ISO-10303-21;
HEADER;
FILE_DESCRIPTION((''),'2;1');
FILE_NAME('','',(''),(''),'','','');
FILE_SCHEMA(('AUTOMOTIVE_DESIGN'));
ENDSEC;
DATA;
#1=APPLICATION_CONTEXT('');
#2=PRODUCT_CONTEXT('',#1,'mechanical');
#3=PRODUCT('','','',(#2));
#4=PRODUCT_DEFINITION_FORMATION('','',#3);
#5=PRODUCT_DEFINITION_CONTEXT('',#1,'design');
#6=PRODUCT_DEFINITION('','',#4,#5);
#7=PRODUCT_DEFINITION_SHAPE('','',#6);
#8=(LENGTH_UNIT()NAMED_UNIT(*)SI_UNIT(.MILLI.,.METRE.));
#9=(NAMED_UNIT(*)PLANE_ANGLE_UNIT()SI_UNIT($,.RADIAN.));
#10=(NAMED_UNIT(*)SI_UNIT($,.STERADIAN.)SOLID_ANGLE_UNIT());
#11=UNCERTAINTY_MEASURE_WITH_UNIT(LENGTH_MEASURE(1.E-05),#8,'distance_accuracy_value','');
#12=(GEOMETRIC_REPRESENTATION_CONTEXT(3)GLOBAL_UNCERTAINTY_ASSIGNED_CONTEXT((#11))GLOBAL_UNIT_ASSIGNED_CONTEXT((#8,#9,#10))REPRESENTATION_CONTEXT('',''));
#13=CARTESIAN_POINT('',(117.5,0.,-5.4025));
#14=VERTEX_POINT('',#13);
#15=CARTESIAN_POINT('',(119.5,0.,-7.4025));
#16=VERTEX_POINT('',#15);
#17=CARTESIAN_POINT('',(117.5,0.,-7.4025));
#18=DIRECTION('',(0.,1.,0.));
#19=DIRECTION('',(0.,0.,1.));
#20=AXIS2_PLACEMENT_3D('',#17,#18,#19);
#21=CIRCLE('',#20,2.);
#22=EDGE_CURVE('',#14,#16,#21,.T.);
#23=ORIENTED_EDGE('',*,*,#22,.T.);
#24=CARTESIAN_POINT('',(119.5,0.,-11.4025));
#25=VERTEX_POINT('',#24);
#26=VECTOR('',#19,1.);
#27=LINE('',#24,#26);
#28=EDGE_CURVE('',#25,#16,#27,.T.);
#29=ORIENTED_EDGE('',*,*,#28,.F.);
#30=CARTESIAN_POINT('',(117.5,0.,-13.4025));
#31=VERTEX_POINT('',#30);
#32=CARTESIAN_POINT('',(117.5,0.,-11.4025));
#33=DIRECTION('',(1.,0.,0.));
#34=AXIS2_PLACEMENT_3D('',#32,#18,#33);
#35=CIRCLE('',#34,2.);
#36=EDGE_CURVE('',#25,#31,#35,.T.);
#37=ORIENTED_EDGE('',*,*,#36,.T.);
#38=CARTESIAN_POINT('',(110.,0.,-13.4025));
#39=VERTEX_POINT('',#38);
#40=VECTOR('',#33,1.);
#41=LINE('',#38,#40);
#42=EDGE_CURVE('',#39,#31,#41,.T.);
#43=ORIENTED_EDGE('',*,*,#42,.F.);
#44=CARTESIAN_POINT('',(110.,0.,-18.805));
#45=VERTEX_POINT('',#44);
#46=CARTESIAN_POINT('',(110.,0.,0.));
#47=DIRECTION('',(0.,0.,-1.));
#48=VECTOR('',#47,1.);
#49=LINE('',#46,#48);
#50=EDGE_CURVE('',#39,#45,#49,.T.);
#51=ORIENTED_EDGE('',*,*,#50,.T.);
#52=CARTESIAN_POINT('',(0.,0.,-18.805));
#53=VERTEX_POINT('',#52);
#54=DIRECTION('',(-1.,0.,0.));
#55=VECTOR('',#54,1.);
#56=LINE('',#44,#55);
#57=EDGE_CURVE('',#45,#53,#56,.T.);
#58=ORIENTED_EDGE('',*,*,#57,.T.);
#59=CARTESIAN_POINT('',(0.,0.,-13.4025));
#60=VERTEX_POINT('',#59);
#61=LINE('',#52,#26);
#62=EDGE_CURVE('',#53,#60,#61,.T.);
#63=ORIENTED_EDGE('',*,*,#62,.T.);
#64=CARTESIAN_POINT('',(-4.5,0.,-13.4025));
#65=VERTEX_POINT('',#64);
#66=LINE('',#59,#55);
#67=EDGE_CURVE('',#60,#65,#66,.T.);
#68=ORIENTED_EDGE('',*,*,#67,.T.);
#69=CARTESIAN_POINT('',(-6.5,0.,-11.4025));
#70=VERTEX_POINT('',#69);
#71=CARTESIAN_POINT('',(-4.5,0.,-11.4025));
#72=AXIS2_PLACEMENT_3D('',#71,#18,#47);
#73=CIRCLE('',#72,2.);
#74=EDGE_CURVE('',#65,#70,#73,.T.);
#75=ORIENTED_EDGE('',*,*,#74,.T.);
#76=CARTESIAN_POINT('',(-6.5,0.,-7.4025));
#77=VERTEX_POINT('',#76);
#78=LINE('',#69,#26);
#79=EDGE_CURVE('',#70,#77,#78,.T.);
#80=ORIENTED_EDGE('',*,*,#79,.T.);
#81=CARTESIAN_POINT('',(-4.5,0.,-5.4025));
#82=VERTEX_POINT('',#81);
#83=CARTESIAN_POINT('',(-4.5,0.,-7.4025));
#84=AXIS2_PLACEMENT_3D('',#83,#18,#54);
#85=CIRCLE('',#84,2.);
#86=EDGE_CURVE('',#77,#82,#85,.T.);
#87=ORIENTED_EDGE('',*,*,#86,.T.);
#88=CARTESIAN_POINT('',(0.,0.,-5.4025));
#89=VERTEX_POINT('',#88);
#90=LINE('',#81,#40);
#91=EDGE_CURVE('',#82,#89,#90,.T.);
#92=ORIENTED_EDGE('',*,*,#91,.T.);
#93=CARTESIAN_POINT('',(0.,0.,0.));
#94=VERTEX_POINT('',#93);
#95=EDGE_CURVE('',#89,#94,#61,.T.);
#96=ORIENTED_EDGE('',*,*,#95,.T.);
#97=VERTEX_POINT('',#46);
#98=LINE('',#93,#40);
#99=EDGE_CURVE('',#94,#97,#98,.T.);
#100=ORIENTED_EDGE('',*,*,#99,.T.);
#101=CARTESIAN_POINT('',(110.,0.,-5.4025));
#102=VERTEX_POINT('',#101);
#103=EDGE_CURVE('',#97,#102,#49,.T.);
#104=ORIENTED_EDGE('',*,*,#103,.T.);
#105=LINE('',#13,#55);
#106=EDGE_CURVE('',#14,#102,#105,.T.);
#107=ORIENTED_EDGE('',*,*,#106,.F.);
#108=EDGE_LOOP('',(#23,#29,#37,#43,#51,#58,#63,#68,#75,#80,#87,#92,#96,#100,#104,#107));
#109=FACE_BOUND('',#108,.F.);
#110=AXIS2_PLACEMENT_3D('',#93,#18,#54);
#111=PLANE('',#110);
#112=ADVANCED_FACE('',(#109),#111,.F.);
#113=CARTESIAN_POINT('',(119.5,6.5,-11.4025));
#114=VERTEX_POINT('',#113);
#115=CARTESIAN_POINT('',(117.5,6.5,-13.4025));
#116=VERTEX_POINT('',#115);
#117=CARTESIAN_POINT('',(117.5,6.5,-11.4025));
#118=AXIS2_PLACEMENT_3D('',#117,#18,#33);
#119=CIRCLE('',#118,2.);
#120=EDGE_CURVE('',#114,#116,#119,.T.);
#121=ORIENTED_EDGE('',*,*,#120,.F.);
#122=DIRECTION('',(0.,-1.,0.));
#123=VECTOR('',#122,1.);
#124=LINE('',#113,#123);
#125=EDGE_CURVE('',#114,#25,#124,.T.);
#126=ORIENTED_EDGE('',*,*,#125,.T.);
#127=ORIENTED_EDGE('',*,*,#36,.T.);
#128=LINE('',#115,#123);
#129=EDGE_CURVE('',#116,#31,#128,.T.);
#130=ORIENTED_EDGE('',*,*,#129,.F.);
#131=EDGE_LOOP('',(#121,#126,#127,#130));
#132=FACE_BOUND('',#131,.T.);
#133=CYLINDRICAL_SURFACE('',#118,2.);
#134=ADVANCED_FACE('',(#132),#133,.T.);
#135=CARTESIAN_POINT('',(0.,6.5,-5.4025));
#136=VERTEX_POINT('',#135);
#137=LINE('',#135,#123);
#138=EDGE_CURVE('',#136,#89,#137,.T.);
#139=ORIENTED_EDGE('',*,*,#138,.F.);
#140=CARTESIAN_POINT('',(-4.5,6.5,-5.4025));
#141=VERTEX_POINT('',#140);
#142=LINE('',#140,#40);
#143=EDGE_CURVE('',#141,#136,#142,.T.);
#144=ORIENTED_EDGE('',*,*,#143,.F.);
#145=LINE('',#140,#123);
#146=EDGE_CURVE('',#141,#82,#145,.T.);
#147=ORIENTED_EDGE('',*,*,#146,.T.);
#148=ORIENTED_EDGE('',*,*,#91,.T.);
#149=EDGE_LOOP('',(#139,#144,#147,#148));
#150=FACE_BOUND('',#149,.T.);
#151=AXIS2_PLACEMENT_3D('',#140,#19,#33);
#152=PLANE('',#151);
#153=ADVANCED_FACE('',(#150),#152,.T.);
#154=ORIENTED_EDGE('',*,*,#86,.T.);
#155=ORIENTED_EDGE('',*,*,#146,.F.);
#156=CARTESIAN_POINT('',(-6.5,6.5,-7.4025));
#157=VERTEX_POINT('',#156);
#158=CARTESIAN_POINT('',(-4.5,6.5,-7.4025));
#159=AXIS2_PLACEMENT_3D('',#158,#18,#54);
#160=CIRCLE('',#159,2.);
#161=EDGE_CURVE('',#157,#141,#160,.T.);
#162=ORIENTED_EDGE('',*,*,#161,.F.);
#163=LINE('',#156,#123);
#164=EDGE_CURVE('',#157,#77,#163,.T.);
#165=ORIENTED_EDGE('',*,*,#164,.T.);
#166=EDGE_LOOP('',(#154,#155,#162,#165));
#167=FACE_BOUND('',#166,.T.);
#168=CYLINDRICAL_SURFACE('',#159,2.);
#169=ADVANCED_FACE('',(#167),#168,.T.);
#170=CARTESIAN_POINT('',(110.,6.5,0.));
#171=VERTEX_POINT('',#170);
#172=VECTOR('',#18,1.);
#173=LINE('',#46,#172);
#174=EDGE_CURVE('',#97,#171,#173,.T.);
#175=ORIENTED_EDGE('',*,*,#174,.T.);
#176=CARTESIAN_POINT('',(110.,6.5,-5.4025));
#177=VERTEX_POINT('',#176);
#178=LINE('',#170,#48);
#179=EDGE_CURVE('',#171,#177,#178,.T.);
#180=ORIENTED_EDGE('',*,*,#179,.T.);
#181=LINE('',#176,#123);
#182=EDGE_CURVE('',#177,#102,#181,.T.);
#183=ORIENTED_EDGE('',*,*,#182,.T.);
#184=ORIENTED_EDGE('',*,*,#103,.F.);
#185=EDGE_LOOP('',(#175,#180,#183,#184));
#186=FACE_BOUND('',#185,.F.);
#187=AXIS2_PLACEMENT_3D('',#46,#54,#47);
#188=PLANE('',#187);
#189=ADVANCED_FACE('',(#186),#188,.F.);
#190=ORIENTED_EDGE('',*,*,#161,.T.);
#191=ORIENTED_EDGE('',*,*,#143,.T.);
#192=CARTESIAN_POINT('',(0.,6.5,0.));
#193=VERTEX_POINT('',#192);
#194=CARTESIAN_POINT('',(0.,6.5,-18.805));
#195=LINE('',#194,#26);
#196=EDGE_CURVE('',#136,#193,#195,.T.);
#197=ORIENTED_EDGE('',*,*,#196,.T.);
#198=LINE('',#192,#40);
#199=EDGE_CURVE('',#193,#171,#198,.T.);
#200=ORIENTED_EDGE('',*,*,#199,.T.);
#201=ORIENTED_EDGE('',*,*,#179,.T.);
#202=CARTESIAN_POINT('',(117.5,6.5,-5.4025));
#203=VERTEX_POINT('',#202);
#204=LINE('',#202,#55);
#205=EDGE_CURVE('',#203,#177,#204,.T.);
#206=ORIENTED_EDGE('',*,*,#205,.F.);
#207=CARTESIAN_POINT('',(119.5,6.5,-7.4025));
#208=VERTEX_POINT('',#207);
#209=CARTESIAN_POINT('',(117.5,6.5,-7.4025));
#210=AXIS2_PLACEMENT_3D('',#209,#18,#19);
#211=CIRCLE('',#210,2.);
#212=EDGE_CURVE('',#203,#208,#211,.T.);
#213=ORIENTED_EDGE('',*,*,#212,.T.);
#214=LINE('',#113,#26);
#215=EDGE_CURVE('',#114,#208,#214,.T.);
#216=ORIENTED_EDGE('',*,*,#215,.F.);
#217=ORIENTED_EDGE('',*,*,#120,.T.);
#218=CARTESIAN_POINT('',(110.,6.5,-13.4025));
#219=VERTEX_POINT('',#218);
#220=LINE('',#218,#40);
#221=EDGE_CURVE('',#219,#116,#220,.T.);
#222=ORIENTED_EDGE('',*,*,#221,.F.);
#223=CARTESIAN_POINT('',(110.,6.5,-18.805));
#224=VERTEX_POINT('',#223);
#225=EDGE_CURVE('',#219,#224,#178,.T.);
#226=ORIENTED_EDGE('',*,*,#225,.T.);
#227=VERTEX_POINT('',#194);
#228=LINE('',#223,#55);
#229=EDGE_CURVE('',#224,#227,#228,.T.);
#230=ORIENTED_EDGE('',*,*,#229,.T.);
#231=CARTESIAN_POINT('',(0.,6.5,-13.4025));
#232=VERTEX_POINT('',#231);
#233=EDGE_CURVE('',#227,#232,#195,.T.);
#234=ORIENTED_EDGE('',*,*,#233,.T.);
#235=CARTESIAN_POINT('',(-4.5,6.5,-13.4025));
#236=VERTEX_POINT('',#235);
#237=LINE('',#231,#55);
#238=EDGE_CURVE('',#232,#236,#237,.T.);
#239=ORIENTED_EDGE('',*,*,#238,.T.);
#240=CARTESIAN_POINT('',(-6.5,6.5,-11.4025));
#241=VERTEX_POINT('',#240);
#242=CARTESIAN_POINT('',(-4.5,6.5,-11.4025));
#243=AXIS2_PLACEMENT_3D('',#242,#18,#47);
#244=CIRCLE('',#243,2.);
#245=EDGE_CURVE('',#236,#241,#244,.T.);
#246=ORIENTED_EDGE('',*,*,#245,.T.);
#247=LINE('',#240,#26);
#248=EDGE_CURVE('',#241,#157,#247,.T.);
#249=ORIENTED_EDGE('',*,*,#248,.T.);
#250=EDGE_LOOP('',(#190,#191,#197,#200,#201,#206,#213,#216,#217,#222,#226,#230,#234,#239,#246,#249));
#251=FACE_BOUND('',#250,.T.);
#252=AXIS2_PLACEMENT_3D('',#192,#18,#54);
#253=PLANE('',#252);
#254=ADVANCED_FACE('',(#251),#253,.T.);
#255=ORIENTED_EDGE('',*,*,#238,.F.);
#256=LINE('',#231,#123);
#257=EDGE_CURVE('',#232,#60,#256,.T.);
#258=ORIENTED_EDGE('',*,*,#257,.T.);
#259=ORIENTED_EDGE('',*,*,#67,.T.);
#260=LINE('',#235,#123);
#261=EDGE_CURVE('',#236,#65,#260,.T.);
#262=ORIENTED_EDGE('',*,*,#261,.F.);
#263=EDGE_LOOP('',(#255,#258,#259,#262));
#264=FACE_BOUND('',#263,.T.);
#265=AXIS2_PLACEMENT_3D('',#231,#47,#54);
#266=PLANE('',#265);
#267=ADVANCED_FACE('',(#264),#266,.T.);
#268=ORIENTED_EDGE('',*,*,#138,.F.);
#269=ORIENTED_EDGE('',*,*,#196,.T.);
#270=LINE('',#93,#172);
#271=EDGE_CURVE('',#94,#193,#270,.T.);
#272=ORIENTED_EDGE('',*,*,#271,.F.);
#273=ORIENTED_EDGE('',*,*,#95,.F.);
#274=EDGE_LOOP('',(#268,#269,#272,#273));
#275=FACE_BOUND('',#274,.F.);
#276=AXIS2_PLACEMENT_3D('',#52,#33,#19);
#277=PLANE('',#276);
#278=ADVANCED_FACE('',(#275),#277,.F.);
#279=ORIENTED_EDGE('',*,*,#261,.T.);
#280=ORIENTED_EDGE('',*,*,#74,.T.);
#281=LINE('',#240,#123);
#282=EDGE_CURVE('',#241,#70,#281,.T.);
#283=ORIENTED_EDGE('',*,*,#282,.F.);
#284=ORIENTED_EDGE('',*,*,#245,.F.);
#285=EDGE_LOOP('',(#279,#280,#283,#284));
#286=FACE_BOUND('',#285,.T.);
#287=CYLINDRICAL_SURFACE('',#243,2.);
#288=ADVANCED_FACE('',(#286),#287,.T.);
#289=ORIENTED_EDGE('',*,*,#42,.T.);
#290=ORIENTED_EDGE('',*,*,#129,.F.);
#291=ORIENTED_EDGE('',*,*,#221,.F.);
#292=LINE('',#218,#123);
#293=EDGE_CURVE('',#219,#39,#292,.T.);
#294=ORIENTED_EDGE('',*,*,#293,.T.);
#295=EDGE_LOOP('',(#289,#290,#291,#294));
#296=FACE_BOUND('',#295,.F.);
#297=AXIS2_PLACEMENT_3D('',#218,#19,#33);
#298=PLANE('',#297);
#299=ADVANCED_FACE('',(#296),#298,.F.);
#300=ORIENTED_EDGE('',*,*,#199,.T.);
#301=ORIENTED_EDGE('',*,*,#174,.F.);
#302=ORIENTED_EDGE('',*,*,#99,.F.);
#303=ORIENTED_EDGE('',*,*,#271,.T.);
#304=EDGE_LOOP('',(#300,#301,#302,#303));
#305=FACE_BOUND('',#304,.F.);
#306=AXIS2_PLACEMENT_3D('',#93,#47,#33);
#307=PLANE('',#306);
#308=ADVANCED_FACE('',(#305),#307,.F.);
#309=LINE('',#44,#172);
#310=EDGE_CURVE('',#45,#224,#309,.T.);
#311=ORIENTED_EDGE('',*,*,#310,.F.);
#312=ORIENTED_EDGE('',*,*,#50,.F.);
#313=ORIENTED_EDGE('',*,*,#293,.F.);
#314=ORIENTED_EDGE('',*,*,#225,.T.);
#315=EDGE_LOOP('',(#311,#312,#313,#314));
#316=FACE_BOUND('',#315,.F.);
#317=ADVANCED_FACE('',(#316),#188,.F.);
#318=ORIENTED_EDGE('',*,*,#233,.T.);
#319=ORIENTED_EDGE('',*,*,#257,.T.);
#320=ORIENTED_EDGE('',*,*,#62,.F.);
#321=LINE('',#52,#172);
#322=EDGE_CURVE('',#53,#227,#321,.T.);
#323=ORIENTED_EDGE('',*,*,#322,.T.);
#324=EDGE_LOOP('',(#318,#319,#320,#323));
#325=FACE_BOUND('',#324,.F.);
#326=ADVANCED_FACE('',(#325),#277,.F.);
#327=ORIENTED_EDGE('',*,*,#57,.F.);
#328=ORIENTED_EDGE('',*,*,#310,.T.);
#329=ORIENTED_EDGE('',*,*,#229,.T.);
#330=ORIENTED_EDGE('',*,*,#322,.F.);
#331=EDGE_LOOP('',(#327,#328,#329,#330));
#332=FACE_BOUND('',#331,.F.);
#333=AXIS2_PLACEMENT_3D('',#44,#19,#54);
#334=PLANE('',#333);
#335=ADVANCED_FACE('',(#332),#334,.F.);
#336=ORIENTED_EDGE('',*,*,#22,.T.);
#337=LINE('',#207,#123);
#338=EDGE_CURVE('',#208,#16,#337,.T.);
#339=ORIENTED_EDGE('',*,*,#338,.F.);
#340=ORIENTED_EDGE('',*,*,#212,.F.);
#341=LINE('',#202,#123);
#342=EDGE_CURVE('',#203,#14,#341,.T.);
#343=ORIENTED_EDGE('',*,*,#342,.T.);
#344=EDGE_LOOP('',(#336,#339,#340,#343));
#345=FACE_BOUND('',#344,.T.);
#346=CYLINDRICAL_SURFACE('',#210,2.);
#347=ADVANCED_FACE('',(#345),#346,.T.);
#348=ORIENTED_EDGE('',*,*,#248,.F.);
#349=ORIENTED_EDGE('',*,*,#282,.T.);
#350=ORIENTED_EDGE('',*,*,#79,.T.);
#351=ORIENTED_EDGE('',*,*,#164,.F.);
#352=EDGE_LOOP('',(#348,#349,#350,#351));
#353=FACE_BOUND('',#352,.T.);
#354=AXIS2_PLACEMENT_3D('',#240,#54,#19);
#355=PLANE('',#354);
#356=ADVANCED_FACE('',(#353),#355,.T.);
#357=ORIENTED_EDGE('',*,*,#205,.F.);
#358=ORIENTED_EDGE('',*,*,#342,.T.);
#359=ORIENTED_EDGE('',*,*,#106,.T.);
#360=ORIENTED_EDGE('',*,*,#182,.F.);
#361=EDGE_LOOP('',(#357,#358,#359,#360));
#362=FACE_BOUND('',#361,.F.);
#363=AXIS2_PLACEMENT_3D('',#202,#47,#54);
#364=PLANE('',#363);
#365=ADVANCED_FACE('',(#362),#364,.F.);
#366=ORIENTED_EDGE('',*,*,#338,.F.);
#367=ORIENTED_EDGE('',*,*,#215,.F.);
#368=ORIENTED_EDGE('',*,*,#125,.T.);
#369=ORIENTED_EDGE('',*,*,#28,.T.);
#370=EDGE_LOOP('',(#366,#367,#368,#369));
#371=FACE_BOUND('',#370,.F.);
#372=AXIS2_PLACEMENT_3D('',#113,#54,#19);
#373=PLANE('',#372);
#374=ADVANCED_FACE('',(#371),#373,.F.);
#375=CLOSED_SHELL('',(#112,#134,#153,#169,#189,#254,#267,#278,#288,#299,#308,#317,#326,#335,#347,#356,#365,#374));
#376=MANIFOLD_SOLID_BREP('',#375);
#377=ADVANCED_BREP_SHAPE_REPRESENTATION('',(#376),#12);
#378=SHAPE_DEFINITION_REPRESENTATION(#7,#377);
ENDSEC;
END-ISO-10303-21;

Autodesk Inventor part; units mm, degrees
ref_plane "YZ Plane" through (0, 0, 0) normal (1, 0, 0) x (0, 1, 0)
ref_plane "XZ Plane" through (0, 0, 0) normal (0, 1, 0) x (-1, 0, 0)
ref_plane "XY Plane" through (0, 0, 0) normal (0, 0, 1) x (1, 0, 0)
sketch "Sketch1" plane through (0, 0, 0) normal (0, 1, 0) x (-1, 0, 0)
  line L0 (0, 0) -> (-110, 0)
  line L1 (-110, 0) -> (-110, -18.805)
  line L2 (-110, -18.805) -> (0, -18.805)
  line L3 (0, -18.805) -> (0, 0)
  dimension "d0" = 110
  dimension "d1" = 18.805
extrude "Extrusion1" add sketch "Sketch1" along normal blind 6.5
sketch "Sketch2" plane through (0, 6.5, 0) normal (0, 1, 0) x (1, 0, 0)
  line L0 (110, 0) -> (110, 18.805) projected
  line L1 (0, 18.805) -> (0, 0) projected
  line L2 (0, 13.4025) -> (-4.5, 13.4025)
  line L3 (-6.5, 11.4025) -> (-6.5, 7.4025)
  line L4 (-4.5, 5.4025) -> (0, 5.4025)
  line L5 (0, 5.4025) -> (0, 13.4025)
  line L6 (110, 13.4025) -> (117.5, 13.4025)
  line L7 (119.5, 11.4025) -> (119.5, 7.4025)
  line L8 (117.5, 5.4025) -> (110, 5.4025)
  line L9 (110, 5.4025) -> (110, 13.4025)
  arc A0 (-4.5, 13.4025) -> (-6.5, 11.4025) centre (-4.5, 11.4025) ccw
  arc A1 (-6.5, 7.4025) -> (-4.5, 5.4025) centre (-4.5, 7.4025) ccw
  arc A2 (119.5, 11.4025) -> (117.5, 13.4025) centre (117.5, 11.4025) ccw
  arc A3 (117.5, 5.4025) -> (119.5, 7.4025) centre (117.5, 7.4025) ccw
  point P0 (-6.5, 9.4025)
  point P1 (0, 9.4025)
  dimension "d4" = 2
  dimension "d5" = 8
  dimension "d6" = 6.5
  dimension "d7" = 9.5
extrude "Extrusion2" add sketch "Sketch2" against normal blind 6.5
properties part number "spool_stand_brace_top" material "Plywood, Finish"
